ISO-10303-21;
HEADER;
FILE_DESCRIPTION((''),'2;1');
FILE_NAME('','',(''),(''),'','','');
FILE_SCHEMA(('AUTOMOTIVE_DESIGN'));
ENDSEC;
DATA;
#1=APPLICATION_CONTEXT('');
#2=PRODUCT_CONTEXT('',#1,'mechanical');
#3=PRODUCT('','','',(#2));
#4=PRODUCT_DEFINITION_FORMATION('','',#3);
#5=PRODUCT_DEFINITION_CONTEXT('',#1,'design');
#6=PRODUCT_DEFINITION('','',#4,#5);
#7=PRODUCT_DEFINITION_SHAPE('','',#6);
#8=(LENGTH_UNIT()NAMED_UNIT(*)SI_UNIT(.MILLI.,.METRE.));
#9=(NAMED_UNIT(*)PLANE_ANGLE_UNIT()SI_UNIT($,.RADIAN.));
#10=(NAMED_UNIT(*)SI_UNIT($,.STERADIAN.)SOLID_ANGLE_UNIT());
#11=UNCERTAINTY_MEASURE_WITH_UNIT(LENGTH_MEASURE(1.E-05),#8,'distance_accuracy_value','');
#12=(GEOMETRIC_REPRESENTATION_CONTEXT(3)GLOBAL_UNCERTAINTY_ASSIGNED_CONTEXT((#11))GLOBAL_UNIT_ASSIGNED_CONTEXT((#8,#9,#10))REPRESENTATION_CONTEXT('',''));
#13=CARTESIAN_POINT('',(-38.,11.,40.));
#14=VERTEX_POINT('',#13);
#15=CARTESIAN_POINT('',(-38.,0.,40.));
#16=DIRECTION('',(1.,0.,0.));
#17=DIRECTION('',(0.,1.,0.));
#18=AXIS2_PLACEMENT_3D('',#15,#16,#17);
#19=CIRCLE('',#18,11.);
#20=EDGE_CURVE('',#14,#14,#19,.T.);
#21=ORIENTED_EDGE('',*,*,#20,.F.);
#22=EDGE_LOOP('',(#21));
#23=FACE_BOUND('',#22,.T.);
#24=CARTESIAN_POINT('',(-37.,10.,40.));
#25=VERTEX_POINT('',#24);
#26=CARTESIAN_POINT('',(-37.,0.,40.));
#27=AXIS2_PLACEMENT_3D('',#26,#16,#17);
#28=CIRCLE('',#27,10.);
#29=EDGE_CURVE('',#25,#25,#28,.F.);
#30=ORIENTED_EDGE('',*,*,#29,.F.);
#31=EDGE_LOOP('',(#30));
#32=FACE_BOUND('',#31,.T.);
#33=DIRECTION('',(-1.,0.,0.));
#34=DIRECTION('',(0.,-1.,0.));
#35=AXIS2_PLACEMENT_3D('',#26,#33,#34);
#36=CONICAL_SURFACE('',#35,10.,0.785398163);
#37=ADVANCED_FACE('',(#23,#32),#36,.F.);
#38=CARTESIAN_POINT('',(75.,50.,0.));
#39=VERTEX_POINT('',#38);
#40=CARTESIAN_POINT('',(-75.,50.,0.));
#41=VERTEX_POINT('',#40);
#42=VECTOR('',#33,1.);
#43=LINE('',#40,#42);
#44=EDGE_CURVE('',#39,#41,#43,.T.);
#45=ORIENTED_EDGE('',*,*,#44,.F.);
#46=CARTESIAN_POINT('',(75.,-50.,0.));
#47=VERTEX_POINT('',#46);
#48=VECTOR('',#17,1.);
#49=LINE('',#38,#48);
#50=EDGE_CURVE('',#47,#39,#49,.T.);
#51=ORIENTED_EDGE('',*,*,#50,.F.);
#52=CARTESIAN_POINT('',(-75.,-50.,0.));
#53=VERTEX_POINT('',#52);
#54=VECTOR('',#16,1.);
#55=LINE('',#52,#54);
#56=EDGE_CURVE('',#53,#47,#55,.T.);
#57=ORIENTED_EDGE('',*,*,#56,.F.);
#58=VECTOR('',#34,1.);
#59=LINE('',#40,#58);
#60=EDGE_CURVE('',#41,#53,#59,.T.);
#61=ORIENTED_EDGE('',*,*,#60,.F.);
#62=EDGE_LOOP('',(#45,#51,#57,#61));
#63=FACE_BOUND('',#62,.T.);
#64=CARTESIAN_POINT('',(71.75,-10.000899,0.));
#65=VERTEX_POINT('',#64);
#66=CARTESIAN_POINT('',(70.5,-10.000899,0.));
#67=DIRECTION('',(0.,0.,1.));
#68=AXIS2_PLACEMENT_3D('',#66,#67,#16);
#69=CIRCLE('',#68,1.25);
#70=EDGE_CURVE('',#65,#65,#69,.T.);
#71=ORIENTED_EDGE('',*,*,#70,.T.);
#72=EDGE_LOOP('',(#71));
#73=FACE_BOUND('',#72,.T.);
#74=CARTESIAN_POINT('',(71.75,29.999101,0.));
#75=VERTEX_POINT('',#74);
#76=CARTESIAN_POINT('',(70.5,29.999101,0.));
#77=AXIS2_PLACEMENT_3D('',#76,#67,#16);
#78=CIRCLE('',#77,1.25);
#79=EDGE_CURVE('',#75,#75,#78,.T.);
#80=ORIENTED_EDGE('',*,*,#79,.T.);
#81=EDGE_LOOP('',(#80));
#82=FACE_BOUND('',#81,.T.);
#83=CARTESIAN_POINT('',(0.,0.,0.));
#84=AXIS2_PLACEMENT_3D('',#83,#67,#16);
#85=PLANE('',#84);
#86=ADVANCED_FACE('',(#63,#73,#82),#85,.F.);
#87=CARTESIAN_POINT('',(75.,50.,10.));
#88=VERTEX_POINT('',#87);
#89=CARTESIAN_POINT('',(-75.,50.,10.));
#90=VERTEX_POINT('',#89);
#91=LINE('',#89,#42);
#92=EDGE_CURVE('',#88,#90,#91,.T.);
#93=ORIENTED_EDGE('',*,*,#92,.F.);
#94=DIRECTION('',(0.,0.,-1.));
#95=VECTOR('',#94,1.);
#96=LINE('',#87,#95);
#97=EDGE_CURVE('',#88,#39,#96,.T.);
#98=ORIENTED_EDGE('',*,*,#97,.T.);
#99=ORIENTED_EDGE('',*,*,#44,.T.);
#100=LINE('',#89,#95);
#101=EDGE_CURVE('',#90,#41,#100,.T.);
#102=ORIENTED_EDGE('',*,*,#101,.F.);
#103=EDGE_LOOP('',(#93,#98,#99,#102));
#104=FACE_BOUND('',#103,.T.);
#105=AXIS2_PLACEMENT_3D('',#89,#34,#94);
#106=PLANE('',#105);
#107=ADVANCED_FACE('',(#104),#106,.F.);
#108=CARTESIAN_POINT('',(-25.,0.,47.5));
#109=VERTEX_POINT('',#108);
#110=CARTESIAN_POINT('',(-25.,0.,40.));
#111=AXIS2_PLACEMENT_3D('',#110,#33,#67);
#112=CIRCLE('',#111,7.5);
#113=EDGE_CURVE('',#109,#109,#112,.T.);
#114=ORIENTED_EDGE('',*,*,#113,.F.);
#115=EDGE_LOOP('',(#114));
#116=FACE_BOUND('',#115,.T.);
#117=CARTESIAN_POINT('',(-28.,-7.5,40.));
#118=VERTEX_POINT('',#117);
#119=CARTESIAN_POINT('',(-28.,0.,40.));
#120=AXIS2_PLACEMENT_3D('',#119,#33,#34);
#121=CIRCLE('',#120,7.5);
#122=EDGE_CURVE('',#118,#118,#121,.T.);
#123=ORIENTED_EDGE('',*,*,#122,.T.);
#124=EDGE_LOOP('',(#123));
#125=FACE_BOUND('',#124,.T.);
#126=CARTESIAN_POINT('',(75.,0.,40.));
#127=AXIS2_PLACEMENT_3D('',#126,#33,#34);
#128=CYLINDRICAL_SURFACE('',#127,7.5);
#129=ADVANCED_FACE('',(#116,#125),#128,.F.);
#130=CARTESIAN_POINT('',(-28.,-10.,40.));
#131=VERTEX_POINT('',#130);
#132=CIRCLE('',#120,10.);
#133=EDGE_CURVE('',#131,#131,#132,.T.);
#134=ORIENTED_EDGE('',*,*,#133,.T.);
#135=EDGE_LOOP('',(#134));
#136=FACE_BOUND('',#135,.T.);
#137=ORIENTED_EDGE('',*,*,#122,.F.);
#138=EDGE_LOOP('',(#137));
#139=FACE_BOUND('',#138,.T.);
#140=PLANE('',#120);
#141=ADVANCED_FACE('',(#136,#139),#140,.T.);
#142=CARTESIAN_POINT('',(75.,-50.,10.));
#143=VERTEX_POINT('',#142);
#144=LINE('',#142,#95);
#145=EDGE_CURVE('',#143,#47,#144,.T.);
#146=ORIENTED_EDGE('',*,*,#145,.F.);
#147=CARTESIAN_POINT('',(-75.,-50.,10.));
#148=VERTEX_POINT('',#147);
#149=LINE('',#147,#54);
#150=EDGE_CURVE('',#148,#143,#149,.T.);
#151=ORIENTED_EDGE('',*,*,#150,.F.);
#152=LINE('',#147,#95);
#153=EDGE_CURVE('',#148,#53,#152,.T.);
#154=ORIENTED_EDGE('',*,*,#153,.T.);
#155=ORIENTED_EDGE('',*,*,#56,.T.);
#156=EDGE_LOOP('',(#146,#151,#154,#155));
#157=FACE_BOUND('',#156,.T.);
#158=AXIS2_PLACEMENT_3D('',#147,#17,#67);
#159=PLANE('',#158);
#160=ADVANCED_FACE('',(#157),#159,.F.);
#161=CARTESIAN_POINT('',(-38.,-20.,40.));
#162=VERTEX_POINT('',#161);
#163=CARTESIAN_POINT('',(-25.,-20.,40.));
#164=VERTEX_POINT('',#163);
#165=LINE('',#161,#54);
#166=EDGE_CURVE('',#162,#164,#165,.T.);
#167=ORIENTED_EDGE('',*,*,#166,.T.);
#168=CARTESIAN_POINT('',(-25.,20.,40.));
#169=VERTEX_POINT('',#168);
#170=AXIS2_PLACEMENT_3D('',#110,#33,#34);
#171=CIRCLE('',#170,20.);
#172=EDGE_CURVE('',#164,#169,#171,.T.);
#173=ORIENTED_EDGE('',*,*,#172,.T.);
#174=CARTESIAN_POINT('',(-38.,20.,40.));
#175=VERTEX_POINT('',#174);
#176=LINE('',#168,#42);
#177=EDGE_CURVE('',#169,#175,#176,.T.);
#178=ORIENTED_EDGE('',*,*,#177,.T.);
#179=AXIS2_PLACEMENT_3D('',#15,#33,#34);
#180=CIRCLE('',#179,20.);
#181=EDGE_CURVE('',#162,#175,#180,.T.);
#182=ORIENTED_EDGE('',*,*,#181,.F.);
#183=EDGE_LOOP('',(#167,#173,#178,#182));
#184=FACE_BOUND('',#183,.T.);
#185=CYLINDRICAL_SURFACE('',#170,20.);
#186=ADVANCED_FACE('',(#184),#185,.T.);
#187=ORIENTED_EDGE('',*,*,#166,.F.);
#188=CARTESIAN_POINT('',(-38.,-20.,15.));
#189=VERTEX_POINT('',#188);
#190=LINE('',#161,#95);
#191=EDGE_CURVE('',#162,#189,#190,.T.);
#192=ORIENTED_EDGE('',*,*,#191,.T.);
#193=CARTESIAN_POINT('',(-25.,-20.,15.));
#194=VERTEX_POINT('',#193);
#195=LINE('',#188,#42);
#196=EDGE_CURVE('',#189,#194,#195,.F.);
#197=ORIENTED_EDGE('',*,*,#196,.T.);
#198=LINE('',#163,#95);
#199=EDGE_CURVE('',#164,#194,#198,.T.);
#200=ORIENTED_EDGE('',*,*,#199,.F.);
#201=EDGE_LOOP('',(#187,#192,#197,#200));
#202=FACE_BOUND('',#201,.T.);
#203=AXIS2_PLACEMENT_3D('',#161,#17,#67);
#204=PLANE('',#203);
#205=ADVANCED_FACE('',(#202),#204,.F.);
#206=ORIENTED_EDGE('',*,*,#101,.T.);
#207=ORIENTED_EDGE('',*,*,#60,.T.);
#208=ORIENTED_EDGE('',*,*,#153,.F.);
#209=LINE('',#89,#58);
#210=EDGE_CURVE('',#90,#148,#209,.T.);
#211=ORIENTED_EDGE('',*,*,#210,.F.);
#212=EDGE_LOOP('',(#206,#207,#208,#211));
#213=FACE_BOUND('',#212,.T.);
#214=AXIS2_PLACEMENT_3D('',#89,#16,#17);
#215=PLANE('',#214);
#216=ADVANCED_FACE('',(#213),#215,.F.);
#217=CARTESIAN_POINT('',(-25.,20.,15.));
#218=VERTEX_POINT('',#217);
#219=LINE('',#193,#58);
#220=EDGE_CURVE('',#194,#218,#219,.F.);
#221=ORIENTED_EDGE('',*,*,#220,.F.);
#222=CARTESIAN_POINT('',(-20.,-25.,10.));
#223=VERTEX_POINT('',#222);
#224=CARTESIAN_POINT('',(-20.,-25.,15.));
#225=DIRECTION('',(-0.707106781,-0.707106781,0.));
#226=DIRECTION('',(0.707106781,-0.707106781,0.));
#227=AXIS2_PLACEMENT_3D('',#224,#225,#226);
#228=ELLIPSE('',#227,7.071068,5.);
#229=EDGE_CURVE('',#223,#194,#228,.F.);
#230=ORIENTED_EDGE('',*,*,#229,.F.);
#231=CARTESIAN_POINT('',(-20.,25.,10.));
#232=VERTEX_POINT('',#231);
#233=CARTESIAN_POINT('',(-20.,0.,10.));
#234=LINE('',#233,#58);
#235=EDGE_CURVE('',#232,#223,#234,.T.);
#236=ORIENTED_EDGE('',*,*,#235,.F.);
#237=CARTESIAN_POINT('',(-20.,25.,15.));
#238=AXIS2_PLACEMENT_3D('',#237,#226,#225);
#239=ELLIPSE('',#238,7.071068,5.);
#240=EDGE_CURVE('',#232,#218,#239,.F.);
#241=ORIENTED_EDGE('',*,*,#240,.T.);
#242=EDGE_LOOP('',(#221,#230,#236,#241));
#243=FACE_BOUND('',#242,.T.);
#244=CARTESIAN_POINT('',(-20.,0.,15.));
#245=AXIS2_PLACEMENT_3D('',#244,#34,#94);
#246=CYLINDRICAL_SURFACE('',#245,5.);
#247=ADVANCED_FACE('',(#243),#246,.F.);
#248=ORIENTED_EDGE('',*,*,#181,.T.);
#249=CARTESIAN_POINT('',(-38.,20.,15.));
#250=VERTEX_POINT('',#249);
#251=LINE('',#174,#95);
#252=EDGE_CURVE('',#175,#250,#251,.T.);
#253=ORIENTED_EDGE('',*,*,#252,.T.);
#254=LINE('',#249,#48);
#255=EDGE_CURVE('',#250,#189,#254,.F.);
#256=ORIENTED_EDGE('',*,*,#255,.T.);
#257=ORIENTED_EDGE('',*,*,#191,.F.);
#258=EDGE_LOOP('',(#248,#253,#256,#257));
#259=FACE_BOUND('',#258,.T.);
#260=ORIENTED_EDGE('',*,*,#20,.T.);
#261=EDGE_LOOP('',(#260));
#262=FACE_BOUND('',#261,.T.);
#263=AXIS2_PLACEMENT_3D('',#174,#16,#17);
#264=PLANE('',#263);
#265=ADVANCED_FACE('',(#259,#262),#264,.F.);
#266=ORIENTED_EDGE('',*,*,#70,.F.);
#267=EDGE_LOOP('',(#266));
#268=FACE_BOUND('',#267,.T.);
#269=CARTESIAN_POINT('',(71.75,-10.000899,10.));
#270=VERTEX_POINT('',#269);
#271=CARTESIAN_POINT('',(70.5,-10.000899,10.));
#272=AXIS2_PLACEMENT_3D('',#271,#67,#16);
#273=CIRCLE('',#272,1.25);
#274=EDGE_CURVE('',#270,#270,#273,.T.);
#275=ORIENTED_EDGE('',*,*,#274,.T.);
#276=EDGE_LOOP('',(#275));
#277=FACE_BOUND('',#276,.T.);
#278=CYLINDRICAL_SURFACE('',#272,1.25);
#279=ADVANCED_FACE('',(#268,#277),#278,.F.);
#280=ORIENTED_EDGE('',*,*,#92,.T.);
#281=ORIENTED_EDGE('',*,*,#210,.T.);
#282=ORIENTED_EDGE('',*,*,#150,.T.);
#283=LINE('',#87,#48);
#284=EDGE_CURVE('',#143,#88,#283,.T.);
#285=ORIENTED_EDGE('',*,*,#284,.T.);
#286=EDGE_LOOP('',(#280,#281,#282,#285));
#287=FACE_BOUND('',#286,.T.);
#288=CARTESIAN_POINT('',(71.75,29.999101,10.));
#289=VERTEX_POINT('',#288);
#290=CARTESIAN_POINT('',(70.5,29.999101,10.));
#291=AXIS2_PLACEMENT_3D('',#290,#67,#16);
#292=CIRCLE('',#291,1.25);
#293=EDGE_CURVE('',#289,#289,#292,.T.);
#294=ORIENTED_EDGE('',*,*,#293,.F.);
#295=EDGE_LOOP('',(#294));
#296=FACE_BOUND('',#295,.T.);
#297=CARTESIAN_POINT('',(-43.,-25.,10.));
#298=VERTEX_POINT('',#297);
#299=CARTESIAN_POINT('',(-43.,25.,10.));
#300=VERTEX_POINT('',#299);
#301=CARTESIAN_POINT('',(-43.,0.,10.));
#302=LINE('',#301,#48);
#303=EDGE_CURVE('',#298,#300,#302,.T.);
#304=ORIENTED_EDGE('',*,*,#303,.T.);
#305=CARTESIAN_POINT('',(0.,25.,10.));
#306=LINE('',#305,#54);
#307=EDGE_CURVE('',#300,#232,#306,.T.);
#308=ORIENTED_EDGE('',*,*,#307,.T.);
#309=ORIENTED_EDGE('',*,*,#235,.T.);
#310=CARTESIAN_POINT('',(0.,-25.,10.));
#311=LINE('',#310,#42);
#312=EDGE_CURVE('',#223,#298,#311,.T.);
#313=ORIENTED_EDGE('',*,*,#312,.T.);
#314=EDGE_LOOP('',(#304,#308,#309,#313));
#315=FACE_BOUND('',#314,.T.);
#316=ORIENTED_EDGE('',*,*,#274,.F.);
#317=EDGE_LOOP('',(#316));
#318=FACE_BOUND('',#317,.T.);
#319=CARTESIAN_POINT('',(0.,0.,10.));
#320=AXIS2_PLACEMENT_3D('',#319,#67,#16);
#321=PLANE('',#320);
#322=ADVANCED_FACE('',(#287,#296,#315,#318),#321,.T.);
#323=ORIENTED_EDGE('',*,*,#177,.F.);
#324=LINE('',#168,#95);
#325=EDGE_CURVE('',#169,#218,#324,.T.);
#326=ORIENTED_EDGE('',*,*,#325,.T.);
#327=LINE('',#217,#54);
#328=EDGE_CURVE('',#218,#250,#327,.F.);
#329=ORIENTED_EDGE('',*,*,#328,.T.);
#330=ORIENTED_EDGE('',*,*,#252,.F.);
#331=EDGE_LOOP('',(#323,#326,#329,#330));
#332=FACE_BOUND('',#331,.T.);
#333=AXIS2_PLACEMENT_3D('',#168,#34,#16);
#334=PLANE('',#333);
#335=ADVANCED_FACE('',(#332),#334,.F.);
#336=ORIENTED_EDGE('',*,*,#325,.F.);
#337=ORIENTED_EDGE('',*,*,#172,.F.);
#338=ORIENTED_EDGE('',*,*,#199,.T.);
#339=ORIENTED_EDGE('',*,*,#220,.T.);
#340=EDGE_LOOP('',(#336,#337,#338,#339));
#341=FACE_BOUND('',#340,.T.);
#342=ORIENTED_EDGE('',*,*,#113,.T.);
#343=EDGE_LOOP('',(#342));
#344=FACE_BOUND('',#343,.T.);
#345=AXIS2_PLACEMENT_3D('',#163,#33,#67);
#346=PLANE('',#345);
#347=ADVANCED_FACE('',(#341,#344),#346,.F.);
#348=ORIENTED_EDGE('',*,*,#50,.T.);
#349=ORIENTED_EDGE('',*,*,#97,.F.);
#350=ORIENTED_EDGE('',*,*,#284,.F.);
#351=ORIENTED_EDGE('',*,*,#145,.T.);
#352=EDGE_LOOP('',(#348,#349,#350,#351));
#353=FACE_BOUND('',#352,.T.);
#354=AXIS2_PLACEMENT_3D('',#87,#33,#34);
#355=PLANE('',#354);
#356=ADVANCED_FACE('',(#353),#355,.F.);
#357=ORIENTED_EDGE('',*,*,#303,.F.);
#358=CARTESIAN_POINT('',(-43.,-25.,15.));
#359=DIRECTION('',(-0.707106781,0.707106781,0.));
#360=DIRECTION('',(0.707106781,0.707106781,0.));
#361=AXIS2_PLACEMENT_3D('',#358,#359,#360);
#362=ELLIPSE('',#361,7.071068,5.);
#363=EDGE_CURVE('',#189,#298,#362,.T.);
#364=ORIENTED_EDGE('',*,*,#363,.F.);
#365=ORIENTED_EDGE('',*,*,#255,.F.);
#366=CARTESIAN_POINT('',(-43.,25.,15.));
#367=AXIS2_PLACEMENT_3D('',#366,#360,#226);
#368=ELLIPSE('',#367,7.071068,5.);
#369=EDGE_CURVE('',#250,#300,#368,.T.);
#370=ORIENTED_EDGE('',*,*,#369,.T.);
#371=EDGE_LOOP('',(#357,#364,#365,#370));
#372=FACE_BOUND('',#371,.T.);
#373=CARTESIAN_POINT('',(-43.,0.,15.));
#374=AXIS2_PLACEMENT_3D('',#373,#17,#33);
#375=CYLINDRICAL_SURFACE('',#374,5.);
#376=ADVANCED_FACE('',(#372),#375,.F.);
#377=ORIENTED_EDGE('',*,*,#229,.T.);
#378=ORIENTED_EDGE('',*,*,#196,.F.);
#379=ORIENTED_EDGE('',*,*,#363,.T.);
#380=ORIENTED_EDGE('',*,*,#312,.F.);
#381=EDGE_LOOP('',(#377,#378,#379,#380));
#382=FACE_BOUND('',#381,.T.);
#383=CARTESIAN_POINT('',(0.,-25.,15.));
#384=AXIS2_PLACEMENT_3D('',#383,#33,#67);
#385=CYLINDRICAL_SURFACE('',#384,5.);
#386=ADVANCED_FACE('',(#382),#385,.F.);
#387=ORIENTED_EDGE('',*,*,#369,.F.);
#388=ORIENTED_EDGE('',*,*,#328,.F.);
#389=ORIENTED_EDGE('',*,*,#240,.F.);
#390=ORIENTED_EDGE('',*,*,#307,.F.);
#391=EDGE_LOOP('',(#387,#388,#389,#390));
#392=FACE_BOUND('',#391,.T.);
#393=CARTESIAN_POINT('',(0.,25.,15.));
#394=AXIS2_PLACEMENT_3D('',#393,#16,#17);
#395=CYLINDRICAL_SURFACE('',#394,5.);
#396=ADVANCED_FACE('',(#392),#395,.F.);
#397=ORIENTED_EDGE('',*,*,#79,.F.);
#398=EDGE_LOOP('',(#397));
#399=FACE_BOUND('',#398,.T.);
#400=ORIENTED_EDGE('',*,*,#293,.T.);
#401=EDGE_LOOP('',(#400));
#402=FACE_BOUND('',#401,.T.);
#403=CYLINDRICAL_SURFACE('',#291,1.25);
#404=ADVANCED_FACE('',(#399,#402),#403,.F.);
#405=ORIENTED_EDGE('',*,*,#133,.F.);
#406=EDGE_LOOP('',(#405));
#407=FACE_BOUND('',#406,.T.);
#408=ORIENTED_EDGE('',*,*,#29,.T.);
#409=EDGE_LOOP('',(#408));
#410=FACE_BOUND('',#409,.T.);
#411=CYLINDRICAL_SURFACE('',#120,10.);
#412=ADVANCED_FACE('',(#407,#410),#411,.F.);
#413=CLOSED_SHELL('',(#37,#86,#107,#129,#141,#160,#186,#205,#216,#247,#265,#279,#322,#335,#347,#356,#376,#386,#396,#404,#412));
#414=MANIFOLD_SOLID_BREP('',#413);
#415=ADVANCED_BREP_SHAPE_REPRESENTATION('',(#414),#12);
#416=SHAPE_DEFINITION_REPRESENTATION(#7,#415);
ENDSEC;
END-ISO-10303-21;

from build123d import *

# Parameters (mm, degrees)
SKETCH_2_W          = 150
SKETCH_2_H          = 100
EXTRUDE_1_DEPTH     = 10
SKETCH_3_W          = 13
SKETCH_3_H          = 40
EXTRUDE_2_DEPTH     = 40
SKETCH_4_R          = 20
EXTRUDE_3_DEPTH     = 13
SKETCH_5_R          = 10
CUT_EXTRUDE_1_DEPTH = 10
M3X0_5_2_D          = 2.5
FILLET_1_R          = 5
SKETCH_12_R         = 7.5
CUT_EXTRUDE_2_DEPTH = 130.263297188
CHAMFER_1_SIZE      = 1


with BuildPart() as part:
    # ｽｹｯﾁ2 → ﾎﾞｽ - 押し出し1 (new body)
    with BuildSketch(Plane.XY):
        Rectangle(SKETCH_2_W, SKETCH_2_H)
    extrude(amount=EXTRUDE_1_DEPTH)

    # ｽｹｯﾁ3 → ﾎﾞｽ - 押し出し2 (add)
    with BuildSketch(Plane.XY):
        with Locations((-31.5, 0)):
            Rectangle(SKETCH_3_W, SKETCH_3_H)
    extrude(amount=EXTRUDE_2_DEPTH)

    # ｽｹｯﾁ4 → ﾎﾞｽ - 押し出し3 (add)
    with BuildSketch(Plane.ZY.offset(38)):
        with Locations((40, 0)):
            Circle(SKETCH_4_R)
    extrude(amount=-EXTRUDE_3_DEPTH)

    # ｽｹｯﾁ5 → ｶｯﾄ - 押し出し1 (cut)
    with BuildSketch(Plane.ZY.offset(38)):
        with Locations(Location((40, 0, 0), (0, 0, 270))):
            Circle(SKETCH_5_R)
    extrude(amount=-CUT_EXTRUDE_1_DEPTH, mode=Mode.SUBTRACT)

    # M3x0.5 ねじ穴2 (through all)
    with Locations(Plane.XY.offset(10)):
        with Locations((70.5, -10.000898701), (70.5, 29.999101299)):
            Hole(M3X0_5_2_D / 2)

    # ﾌｨﾚｯﾄ1
    fillet_1_edges = [part.edges().sort_by_distance(p)[0] for p in [
        (-31.5, 20, 10),
        (-38, 0, 10),
        (-31.5, -20, 10),
        (-25, 0, 10),
    ]]
    fillet(fillet_1_edges, radius=FILLET_1_R)

    # ｽｹｯﾁ12 → ｶｯﾄ - 押し出し2 (cut, through all)
    with BuildSketch(Plane.ZY.offset(28)):
        with Locations(Location((40, 0, 0), (0, 0, 270))):
            Circle(SKETCH_12_R)
    extrude(amount=-CUT_EXTRUDE_2_DEPTH, mode=Mode.SUBTRACT)

    # 面取り1
    chamfer_1_edges = [part.edges().sort_by_distance(p)[0] for p in [
        (-38, 10, 40),
    ]]
    chamfer(chamfer_1_edges, length=CHAMFER_1_SIZE)


solid = part.part
